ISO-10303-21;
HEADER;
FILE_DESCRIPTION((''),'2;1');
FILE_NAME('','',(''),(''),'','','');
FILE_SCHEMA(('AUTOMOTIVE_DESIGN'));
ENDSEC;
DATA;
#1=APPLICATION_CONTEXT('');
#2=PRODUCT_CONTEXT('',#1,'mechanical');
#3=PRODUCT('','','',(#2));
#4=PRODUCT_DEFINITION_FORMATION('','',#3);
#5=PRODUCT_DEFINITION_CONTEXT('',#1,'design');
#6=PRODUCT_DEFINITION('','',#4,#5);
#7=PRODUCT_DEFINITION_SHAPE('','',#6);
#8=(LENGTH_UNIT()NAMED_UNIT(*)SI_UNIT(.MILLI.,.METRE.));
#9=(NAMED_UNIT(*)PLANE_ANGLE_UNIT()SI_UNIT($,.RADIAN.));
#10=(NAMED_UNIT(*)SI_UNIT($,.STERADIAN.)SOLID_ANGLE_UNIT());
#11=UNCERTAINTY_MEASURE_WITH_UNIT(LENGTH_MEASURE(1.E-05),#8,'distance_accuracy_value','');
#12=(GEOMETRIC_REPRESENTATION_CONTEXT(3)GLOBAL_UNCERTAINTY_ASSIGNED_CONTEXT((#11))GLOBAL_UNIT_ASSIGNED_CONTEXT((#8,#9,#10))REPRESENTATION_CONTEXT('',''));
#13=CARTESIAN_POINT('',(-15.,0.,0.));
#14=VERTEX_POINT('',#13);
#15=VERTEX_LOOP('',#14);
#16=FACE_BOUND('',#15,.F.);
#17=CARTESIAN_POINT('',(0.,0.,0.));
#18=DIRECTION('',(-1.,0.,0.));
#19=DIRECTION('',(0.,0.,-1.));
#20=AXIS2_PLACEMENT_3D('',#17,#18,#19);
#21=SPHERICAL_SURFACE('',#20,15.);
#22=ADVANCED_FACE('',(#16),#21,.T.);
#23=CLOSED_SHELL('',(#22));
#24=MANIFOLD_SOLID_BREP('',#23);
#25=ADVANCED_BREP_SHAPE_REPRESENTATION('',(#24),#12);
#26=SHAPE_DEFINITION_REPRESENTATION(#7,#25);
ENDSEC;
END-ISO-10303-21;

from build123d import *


with BuildPart() as part:
    # Sketch1 → Revolve1 (revolve)
    with BuildSketch(Plane(origin=(0, 0, 0), x_dir=(1, 0, 0), z_dir=(0, 1, 0))):
        with BuildLine():
            Line((-15, 0), (15, 0))
            ThreePointArc((15, 0), (0, 15), (-15, 0))
        make_face()
    revolve(axis=Axis((-15, 0, 0), (1, 0, 0)))


solid = part.part
